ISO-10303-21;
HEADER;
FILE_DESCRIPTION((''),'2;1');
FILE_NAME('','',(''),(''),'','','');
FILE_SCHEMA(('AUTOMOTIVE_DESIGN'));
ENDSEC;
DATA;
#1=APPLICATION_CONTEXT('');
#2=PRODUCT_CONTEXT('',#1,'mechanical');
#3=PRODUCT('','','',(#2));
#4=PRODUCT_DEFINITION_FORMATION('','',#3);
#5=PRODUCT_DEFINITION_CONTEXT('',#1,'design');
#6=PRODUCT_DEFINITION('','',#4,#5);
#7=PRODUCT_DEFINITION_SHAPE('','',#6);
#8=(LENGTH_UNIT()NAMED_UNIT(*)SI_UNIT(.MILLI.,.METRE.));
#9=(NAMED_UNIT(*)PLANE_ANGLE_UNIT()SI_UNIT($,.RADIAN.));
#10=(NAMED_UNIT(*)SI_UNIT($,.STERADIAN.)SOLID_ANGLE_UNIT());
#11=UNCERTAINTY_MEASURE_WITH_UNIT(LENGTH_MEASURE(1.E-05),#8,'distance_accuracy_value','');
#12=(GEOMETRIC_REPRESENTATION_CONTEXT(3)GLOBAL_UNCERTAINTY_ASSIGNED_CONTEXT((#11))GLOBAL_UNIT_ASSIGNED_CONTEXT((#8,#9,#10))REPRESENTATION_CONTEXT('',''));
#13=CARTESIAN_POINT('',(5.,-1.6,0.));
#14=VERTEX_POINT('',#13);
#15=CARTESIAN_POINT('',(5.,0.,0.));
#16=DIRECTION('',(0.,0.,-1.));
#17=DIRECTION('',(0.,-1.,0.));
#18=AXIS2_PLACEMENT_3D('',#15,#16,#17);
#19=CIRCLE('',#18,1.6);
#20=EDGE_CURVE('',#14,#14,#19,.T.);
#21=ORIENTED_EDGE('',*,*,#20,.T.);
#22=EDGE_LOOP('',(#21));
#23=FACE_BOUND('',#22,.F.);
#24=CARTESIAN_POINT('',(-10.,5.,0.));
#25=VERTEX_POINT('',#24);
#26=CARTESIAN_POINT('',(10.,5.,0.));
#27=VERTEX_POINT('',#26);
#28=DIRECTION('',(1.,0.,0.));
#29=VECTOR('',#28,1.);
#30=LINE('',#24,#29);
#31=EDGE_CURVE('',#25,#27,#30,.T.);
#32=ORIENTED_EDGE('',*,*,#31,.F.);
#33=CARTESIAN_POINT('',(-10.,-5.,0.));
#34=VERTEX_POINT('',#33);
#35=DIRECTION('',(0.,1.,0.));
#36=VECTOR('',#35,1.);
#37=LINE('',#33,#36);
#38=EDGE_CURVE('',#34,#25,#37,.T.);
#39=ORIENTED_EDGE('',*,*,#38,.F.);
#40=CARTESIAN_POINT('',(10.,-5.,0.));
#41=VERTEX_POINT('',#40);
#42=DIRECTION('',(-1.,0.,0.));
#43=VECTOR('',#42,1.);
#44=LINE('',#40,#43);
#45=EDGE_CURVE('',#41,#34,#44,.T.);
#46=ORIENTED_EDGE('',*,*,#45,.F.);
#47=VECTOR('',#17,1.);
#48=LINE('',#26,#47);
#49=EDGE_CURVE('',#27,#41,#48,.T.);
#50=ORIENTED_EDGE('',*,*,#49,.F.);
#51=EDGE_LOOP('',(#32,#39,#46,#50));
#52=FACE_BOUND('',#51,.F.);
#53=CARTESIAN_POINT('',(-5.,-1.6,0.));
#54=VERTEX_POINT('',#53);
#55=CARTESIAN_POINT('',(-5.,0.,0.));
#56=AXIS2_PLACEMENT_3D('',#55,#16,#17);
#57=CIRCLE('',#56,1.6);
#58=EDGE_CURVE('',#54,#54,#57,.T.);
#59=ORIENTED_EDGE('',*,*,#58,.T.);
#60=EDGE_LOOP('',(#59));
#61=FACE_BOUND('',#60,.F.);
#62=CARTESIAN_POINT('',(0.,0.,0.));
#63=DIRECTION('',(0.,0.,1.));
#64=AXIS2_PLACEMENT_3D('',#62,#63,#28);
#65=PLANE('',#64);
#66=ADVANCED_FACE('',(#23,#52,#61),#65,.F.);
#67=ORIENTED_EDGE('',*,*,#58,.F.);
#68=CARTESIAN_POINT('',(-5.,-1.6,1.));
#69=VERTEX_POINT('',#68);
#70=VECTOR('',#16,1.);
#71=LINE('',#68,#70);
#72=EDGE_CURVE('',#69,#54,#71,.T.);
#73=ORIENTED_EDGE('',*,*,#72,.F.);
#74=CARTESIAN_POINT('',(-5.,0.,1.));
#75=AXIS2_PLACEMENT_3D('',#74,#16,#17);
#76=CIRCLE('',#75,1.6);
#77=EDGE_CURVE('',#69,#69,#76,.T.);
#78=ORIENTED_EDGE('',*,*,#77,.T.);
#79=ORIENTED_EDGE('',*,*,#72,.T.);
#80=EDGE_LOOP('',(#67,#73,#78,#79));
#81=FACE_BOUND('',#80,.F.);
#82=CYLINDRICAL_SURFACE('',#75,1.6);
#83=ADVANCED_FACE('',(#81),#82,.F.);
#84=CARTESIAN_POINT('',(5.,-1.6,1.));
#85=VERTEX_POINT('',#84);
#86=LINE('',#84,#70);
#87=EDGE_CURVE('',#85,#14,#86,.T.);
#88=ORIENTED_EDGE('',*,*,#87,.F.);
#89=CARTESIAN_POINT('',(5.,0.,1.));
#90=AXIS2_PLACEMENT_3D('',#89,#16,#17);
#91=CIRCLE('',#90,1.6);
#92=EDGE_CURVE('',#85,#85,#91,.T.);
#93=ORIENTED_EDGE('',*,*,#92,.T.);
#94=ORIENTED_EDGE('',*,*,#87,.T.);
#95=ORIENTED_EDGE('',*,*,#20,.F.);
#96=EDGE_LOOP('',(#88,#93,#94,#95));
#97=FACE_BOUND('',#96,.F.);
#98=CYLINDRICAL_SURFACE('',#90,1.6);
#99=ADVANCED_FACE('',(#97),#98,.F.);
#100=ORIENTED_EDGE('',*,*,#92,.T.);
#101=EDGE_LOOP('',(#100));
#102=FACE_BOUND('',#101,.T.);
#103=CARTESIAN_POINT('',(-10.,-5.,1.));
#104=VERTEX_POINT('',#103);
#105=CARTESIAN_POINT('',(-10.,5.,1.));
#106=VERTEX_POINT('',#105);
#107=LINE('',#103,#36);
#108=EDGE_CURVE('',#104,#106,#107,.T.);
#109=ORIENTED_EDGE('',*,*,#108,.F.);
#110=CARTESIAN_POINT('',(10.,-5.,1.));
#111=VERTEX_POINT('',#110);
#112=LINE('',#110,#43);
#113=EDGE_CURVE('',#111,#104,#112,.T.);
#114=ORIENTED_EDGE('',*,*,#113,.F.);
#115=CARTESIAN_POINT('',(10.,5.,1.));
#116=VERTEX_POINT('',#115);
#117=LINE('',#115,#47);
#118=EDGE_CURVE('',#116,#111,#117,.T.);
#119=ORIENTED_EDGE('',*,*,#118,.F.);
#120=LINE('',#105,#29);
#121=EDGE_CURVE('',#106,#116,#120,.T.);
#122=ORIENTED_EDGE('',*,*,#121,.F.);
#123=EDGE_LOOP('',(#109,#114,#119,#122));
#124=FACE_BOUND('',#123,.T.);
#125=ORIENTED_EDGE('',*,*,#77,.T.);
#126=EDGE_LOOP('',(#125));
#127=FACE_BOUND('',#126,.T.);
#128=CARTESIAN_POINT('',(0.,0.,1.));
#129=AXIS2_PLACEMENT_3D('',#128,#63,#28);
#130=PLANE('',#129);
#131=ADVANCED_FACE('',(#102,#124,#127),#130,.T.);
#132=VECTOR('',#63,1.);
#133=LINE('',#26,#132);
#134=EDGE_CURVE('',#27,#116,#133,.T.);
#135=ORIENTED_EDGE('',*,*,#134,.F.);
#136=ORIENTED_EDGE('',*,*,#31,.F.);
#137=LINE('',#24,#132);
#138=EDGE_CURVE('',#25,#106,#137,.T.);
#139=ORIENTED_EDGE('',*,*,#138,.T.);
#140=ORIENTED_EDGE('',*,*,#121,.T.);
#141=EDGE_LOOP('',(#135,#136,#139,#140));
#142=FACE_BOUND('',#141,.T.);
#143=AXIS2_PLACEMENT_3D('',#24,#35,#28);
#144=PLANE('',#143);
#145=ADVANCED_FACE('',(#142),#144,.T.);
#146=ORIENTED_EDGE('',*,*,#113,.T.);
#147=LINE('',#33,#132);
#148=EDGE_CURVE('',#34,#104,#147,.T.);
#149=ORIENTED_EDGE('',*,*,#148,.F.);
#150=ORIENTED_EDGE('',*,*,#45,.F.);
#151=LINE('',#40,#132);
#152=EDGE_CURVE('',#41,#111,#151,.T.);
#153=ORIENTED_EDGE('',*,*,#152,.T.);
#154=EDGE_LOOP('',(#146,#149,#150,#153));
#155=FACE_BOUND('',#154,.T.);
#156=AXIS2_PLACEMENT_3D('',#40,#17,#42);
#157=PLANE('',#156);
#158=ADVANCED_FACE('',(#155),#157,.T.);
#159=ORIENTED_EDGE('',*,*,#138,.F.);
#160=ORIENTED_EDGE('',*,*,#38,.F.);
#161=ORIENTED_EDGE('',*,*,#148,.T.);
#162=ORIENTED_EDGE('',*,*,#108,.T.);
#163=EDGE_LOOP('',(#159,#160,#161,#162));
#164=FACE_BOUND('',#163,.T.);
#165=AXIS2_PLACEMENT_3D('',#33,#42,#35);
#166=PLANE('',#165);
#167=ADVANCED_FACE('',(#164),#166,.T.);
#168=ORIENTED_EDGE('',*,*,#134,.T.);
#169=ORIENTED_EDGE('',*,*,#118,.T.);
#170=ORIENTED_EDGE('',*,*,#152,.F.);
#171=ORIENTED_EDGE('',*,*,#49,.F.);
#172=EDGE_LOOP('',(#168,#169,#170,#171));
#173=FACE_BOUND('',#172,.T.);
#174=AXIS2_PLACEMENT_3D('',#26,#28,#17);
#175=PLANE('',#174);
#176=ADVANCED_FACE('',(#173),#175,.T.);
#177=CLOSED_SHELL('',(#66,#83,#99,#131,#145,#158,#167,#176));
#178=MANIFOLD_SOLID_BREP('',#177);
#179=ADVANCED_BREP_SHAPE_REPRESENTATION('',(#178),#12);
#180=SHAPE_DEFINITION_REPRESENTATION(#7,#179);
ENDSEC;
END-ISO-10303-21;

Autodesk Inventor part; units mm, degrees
ref_plane "YZ Plane" through (0, 0, 0) normal (1, 0, 0) x (0, 1, 0)
ref_plane "XZ Plane" through (0, 0, 0) normal (0, 1, 0) x (-1, 0, 0)
ref_plane "XY Plane" through (0, 0, 0) normal (0, 0, 1) x (1, 0, 0)
sketch "スケッチ1" plane through (0, 0, 0) normal (0, 0, 1) x (1, 0, 0)
  line L0 (-10, 5) -> (10, 5)
  line L1 (10, 5) -> (10, -5)
  line L2 (10, -5) -> (-10, -5)
  line L3 (-10, -5) -> (-10, 5)
  line L4 (-10, 5) -> (10, -5) construction
  line L5 (10, 5) -> (-10, -5) construction
  point P0 (0, 0)
  dimension "d0" = 20
  dimension "d1" = 10
extrude "押し出し1" add sketch "スケッチ1" along normal blind 1
sketch "スケッチ2" plane through (0, 0, 1) normal (0, 0, 1) x (1, 0, 0)
  line L0 (10, -5) -> (10, 5) projected
  line L1 (10, 5) -> (-10, 5) projected
  line L2 (-10, 5) -> (-10, -5) projected
  point P0 (0, 0)
  point P1 (-5, 0)
  point P2 (5, 0)
  dimension "d4" = 5
  dimension "d5" = 5
  dimension "d6" = 5
  dimension "d7" = 5
hole "穴1" at (-5, 0, 1) at (5, 0, 1) direction (0, 0, -1) diameter 3.2 end through all
properties part number "爪_5" material "アルミニウム 6061"
